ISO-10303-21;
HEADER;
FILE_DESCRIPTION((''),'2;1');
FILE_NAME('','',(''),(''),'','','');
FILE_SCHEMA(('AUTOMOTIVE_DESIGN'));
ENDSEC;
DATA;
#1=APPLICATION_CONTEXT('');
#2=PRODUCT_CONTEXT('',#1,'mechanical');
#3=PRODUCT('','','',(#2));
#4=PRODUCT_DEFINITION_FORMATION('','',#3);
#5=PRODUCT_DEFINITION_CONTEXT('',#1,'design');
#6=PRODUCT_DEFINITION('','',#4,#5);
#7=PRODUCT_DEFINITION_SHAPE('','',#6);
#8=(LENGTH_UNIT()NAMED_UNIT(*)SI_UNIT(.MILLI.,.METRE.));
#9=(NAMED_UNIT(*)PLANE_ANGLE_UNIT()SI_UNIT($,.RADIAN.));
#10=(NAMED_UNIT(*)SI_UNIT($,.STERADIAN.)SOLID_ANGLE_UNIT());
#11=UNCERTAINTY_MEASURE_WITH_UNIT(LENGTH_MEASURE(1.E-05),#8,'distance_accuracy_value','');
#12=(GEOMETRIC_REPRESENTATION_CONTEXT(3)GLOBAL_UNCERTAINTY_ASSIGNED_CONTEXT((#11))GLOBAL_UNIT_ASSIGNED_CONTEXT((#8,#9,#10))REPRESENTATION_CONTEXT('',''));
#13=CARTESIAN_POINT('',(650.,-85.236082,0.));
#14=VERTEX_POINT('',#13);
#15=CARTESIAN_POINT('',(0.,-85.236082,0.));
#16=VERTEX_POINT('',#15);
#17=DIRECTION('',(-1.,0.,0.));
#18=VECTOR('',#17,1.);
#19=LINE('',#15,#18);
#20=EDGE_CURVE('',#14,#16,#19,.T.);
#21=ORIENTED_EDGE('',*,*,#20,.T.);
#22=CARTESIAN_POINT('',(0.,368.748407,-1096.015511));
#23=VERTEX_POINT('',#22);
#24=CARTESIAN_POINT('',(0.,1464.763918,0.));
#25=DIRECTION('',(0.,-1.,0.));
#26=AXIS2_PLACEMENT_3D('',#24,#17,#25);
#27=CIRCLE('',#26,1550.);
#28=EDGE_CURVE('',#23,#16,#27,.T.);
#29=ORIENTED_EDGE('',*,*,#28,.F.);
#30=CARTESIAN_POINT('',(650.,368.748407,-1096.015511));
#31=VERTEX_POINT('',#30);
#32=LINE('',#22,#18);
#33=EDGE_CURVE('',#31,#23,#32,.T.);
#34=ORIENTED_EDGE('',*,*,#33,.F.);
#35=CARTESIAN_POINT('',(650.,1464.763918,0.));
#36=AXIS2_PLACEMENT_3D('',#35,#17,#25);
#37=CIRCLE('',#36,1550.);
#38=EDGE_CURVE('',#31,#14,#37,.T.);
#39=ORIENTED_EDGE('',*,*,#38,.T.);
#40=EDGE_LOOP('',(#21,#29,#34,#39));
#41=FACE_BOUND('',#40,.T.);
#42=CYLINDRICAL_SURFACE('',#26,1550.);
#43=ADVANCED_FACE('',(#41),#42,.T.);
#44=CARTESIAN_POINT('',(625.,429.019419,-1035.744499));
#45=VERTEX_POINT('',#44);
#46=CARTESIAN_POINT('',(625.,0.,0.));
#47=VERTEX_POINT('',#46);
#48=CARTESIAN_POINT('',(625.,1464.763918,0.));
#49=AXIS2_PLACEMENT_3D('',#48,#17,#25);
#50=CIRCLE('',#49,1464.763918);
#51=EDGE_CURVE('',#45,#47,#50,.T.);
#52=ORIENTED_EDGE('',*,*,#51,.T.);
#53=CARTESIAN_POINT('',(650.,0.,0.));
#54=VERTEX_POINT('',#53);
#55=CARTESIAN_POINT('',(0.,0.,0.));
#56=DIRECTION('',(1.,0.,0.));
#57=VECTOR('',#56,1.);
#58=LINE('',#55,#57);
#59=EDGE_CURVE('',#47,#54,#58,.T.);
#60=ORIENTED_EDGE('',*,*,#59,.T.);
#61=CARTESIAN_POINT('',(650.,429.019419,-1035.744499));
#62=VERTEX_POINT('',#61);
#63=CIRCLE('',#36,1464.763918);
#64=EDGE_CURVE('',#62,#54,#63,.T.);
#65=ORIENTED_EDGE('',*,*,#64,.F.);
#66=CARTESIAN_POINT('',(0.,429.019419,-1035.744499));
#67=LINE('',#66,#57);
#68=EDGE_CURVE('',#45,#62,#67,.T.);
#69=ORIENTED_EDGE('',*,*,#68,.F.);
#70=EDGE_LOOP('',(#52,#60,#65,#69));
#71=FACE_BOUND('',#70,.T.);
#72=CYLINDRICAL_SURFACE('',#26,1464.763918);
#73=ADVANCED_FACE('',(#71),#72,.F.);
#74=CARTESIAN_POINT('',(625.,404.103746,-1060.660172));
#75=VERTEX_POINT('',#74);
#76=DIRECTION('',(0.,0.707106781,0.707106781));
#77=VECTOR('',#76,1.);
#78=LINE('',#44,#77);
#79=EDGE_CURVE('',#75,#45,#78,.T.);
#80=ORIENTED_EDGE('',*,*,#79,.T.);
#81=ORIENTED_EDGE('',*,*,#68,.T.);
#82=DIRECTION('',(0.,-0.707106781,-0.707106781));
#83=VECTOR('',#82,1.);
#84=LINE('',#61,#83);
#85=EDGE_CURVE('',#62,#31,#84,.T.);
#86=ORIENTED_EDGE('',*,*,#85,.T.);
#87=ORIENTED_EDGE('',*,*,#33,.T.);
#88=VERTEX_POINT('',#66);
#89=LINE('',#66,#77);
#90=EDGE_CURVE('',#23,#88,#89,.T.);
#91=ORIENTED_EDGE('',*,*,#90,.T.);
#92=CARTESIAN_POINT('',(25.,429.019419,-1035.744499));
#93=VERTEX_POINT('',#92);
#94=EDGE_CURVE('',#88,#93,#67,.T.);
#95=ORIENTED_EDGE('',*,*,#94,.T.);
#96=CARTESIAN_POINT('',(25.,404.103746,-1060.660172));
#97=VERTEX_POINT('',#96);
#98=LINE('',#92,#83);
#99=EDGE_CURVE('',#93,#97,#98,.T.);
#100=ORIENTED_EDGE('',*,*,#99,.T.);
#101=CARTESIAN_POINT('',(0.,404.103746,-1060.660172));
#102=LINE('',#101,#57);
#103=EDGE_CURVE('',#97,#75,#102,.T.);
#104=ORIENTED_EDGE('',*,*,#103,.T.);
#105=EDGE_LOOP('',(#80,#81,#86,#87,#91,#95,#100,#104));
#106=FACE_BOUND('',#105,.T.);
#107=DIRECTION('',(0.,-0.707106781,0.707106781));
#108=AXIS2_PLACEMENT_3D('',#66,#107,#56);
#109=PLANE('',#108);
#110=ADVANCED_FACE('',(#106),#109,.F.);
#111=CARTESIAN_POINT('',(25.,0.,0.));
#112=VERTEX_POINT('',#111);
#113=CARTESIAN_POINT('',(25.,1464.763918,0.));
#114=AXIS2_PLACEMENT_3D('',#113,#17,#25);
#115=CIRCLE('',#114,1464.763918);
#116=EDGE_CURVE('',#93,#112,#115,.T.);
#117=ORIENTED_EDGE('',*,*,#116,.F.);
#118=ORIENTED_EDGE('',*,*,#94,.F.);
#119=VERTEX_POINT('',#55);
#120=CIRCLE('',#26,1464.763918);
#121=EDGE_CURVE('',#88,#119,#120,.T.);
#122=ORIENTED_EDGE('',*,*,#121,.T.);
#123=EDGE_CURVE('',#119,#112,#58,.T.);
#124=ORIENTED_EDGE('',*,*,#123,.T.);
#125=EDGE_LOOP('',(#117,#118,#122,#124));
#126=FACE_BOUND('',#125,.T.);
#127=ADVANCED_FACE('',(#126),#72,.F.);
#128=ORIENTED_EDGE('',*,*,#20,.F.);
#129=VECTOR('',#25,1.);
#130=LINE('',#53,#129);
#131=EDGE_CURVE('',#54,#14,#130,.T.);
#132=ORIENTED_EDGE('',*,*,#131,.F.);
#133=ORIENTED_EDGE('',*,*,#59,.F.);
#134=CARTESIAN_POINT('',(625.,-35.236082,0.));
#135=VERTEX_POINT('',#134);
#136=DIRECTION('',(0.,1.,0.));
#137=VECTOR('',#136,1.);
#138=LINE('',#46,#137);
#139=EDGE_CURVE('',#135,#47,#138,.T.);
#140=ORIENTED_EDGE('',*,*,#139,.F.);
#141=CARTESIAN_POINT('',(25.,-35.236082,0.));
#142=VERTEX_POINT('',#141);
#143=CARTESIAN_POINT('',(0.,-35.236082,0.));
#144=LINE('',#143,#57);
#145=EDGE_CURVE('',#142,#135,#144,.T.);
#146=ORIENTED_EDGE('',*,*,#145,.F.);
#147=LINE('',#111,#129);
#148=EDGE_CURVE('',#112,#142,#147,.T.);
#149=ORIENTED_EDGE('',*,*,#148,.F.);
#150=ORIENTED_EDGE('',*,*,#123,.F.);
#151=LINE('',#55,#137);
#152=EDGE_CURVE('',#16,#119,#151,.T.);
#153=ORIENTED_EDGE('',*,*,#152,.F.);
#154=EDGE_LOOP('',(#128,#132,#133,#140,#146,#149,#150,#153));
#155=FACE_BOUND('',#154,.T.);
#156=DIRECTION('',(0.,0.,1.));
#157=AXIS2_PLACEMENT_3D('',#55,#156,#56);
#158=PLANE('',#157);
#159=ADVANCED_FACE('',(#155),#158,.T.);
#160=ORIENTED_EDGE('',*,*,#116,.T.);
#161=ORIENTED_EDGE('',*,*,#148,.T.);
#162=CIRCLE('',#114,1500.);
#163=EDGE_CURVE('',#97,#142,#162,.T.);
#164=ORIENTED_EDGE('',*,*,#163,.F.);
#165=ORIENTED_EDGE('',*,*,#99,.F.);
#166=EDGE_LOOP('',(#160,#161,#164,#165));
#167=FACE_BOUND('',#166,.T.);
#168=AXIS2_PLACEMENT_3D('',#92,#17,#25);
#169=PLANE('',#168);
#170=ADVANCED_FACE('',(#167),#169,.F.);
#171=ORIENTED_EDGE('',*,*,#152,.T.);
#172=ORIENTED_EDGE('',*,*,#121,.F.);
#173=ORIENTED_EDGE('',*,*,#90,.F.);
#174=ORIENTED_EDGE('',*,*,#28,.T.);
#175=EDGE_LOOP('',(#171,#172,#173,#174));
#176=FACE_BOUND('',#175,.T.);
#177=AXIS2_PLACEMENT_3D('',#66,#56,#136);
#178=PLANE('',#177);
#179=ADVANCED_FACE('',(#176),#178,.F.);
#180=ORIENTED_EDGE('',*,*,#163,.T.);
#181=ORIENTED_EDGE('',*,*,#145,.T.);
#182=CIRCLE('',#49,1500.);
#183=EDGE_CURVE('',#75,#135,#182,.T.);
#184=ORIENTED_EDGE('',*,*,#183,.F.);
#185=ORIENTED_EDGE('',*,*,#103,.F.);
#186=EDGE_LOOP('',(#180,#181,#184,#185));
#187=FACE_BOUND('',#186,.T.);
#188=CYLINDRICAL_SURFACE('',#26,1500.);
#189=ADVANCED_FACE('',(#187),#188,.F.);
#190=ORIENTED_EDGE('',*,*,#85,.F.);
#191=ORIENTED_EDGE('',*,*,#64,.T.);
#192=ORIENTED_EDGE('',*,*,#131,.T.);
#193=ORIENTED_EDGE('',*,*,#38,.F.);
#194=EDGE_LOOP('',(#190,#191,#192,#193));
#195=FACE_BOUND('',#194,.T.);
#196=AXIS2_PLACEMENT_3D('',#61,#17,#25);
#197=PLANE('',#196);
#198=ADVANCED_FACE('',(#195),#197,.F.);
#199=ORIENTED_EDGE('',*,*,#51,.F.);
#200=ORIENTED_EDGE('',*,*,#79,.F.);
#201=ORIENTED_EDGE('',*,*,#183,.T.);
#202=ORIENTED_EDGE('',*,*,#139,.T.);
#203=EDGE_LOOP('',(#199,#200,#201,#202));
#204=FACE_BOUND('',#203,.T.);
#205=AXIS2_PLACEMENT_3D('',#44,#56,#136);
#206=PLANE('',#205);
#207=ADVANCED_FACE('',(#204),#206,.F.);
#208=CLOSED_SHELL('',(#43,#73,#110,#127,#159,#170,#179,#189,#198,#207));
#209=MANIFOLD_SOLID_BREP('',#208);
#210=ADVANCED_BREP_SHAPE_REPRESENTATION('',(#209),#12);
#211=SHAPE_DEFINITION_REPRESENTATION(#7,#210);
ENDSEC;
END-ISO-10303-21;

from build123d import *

# Parameters (mm, degrees)
REVOLVE1_ANGLE = 45


with BuildPart() as part:
    # Sketch1 → Revolve1 (revolve)
    with BuildSketch(Plane.XY):
        Polygon((0, -85.236081748), (0, 0), (25, 0), (25, -35.236081748), (625, -35.236081748), (625, 0), (650, 0), (650, -85.236081748), align=None)
    revolve(axis=Axis((0, 1464.763918252, 0), (1, 0, 0)), revolution_arc=REVOLVE1_ANGLE)


solid = part.part
